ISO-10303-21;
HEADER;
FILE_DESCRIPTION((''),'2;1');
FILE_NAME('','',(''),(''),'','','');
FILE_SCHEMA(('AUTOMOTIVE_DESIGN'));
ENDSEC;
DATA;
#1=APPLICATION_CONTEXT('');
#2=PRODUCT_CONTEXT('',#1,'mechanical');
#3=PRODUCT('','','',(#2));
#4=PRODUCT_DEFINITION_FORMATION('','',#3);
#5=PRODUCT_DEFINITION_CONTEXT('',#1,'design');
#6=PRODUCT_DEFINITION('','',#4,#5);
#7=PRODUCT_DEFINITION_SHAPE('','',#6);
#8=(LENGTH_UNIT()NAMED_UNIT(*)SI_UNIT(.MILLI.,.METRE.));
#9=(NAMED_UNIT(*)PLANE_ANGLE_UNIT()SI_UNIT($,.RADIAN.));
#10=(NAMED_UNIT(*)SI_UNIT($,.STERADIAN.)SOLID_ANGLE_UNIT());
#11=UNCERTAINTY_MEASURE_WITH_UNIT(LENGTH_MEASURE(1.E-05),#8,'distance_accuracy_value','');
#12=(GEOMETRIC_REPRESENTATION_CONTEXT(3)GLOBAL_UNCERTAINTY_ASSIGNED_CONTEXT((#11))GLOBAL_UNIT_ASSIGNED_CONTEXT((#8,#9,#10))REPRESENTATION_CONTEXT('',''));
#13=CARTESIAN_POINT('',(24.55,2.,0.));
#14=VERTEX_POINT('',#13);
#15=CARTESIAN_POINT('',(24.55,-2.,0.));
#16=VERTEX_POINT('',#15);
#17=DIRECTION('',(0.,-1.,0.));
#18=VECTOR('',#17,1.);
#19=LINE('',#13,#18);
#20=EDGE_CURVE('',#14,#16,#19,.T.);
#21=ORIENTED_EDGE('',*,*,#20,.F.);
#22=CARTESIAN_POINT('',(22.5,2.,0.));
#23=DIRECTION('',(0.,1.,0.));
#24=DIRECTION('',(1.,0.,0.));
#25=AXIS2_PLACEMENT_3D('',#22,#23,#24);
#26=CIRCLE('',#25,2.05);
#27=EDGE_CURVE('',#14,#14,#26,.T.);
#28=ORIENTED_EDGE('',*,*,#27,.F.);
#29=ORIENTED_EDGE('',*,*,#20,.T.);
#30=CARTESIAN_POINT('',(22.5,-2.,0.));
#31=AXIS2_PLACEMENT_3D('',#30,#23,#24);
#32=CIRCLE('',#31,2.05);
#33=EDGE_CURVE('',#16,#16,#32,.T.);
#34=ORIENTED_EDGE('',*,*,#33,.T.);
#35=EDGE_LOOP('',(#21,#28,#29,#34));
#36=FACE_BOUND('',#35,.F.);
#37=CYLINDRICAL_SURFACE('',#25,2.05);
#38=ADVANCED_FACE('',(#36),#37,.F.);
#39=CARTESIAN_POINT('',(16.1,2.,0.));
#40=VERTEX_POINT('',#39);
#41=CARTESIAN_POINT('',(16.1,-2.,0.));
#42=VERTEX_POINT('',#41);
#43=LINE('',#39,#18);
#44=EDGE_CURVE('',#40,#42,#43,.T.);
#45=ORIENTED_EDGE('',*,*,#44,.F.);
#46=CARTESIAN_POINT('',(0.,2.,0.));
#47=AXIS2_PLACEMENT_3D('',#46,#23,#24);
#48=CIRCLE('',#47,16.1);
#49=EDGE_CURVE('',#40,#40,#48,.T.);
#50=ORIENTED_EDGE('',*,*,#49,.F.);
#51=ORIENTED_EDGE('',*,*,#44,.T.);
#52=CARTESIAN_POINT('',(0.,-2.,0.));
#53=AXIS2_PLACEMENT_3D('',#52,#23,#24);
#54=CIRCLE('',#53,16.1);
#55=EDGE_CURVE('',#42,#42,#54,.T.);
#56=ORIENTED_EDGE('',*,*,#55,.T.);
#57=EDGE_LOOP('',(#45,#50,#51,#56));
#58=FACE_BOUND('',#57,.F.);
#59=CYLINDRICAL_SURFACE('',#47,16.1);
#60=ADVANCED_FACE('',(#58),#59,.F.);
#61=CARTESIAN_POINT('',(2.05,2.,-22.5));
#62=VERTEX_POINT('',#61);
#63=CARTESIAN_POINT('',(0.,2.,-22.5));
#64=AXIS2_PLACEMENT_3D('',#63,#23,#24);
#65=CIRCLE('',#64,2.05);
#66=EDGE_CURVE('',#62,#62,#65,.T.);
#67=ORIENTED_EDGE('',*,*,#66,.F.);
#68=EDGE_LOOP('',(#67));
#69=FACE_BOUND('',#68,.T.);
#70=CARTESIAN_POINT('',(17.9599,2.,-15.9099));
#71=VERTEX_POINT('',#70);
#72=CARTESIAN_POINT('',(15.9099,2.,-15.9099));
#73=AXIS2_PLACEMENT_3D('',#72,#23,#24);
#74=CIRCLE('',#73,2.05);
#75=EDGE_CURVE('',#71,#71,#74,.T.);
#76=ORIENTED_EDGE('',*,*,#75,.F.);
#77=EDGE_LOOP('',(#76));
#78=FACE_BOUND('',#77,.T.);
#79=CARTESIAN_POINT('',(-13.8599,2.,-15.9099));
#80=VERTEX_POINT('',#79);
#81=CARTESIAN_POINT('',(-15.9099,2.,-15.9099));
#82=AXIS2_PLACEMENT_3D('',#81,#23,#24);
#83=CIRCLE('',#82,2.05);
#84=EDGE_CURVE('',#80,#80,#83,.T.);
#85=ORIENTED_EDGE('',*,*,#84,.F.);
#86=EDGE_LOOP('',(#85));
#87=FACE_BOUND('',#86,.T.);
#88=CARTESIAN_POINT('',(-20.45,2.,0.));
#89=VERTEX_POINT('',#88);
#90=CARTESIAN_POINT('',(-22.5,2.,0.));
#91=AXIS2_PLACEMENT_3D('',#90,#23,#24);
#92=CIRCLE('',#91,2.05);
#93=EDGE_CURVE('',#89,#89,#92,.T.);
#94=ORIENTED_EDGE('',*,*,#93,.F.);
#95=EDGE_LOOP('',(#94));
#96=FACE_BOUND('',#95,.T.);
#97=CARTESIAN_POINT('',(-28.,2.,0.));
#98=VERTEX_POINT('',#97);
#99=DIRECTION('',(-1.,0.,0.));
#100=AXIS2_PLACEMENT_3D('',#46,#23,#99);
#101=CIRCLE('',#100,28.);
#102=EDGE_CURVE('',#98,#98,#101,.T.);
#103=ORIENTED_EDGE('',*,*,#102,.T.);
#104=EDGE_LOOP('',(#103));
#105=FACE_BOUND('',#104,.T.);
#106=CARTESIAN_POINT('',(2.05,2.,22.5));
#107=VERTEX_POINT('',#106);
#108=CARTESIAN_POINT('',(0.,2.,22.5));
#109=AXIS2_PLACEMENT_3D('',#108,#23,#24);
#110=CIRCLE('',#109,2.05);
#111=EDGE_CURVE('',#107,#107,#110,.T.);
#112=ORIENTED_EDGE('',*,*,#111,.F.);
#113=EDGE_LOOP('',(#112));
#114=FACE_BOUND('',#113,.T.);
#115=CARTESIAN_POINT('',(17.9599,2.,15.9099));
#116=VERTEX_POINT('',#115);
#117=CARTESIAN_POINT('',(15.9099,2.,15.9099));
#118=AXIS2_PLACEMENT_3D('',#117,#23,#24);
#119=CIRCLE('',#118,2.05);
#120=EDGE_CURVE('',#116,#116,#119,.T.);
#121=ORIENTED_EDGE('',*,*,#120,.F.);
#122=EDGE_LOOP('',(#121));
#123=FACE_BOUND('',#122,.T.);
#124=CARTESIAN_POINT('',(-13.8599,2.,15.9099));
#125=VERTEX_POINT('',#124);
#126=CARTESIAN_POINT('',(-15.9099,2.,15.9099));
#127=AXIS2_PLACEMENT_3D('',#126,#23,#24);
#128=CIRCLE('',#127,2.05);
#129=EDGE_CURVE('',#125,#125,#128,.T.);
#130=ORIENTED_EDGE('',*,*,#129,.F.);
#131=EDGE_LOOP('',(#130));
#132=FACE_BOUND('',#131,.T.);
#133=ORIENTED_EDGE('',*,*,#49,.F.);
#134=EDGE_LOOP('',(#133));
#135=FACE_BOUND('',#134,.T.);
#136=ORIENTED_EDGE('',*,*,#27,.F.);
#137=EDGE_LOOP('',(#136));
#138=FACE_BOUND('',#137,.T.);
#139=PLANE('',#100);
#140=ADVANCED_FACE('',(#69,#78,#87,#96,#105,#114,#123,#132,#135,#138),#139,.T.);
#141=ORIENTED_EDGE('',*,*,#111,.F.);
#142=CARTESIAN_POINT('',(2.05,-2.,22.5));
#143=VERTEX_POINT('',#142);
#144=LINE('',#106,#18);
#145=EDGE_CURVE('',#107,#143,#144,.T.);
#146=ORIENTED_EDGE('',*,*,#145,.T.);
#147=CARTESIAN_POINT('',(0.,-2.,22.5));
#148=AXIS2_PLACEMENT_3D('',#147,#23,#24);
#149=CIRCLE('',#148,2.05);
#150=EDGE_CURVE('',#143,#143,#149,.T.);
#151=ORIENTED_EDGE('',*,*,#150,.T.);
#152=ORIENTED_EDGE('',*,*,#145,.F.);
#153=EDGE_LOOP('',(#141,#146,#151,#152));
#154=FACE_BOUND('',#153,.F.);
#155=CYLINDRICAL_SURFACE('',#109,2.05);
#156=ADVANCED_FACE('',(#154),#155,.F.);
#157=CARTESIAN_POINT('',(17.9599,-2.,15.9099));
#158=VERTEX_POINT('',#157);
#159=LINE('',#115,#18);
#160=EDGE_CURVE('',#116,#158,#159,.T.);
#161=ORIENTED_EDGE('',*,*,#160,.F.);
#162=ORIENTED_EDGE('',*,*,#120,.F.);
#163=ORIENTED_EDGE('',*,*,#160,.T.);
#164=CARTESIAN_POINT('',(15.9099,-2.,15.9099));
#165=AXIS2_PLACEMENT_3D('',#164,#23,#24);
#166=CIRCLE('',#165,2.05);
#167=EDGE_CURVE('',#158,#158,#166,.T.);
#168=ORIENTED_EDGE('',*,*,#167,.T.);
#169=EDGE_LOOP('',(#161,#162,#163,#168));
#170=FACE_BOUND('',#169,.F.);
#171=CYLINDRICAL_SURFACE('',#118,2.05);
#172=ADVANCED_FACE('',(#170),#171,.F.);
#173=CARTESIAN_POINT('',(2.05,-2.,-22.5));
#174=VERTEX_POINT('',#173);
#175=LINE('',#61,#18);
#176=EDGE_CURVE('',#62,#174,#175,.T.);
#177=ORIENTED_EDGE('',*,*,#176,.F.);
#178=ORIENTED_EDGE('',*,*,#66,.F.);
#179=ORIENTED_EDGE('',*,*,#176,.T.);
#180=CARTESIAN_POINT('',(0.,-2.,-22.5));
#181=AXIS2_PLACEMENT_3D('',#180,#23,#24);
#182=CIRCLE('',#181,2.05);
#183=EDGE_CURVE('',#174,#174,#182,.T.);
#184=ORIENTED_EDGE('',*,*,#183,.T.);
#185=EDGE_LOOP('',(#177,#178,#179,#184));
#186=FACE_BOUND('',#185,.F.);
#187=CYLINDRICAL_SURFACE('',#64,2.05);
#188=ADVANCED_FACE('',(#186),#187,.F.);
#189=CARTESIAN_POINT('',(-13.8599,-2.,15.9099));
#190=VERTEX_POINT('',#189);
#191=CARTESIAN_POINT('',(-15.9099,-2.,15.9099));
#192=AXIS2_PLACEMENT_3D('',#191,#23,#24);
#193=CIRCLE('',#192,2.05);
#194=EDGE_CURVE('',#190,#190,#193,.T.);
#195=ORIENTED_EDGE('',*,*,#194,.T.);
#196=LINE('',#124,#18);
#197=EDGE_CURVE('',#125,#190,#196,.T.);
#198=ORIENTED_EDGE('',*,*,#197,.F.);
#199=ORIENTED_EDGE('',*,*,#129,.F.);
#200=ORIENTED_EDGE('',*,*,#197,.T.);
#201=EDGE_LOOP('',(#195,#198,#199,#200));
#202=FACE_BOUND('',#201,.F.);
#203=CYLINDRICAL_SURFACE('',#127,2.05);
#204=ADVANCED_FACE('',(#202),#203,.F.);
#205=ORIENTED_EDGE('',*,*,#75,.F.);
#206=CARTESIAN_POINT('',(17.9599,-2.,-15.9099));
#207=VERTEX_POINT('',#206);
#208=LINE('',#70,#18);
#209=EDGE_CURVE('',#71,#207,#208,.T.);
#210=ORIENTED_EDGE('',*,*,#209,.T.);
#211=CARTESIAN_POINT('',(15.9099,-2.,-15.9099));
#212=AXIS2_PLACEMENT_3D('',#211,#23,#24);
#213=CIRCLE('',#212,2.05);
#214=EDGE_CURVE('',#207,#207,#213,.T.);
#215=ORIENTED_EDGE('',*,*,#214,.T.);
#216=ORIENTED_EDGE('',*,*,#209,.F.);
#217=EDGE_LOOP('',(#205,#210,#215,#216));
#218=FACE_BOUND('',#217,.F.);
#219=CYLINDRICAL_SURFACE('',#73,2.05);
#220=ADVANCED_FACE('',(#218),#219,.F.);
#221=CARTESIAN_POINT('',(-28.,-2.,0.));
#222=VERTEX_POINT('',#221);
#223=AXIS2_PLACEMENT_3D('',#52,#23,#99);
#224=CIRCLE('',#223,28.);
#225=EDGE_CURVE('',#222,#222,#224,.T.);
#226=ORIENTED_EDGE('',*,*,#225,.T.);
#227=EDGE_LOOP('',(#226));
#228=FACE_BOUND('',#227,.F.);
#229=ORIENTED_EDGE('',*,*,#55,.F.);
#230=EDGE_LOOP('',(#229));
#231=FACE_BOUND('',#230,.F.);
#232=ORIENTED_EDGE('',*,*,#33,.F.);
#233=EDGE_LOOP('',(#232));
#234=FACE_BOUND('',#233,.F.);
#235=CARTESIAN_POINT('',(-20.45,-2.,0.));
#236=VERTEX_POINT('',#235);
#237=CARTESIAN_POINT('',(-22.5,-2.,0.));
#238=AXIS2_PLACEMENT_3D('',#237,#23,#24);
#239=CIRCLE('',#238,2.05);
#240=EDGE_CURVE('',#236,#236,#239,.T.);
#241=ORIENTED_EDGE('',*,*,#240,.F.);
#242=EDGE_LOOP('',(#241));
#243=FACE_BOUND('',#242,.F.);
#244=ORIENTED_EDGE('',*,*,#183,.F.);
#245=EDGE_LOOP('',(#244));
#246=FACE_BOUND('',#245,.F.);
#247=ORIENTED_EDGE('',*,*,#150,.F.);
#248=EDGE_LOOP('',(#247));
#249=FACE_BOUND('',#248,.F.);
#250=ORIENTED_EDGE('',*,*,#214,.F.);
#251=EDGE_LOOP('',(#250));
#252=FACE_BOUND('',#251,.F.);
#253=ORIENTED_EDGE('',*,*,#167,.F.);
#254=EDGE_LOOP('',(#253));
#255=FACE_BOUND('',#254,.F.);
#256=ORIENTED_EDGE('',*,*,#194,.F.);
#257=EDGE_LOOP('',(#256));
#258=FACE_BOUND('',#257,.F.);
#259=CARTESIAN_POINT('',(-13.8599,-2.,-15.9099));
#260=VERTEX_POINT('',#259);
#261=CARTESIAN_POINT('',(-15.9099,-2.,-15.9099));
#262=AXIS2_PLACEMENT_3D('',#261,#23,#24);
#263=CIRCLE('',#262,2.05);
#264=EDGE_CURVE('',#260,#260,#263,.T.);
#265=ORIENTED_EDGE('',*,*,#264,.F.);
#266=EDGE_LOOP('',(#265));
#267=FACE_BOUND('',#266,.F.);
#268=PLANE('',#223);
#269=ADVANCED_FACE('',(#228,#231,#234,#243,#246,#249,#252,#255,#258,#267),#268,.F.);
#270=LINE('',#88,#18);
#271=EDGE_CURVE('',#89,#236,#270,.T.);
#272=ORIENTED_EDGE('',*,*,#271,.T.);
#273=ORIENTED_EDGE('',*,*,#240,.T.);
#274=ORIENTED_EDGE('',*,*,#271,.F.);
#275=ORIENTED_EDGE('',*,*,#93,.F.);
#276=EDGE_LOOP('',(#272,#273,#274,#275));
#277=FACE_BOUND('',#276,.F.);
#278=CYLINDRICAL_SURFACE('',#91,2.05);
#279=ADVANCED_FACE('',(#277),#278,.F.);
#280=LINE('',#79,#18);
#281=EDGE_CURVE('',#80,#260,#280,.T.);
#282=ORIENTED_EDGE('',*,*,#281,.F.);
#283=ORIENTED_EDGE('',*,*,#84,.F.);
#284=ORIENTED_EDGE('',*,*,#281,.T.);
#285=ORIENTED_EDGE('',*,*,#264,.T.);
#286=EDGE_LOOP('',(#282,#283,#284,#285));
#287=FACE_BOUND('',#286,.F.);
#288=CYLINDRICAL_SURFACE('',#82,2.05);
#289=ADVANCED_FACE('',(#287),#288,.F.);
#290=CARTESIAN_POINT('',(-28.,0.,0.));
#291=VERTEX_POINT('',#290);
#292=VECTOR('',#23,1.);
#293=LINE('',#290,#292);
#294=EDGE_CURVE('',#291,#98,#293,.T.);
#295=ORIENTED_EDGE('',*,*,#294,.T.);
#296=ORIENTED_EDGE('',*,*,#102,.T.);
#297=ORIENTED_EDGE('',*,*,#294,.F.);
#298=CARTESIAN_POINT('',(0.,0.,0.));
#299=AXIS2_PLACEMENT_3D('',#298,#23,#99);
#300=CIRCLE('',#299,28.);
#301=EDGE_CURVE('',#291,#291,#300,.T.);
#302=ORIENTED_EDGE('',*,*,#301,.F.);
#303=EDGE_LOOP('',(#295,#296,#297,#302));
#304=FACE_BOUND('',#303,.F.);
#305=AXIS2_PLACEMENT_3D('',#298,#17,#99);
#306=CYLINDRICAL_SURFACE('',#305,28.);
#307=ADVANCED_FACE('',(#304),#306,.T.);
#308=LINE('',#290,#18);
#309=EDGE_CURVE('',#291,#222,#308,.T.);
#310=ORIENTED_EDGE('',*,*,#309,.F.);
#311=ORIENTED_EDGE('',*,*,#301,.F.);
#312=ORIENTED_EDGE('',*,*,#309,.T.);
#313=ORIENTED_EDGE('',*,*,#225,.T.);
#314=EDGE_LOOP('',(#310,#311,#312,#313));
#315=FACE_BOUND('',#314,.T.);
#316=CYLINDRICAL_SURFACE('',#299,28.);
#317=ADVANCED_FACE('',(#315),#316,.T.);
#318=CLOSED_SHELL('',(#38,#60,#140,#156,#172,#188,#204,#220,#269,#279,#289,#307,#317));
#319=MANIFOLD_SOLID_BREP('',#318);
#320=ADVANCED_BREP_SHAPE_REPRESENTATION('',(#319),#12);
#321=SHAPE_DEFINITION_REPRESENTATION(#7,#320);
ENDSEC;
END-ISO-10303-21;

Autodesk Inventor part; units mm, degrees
ref_plane "YZ Plane" through (0, 0, 0) normal (1, 0, 0) x (0, 1, 0)
ref_plane "XZ Plane" through (0, 0, 0) normal (0, 1, 0) x (-1, 0, 0)
ref_plane "XY Plane" through (0, 0, 0) normal (0, 0, 1) x (1, 0, 0)
sketch "Sketch1" plane through (0, 0, 0) normal (0, 1, 0) x (-1, 0, 0)
  circle A0 centre (0, 0) radius 28
  dimension "d0" = 56
extrude "Extrusion1" add sketch "Sketch1" along normal mid plane 4
sketch "Sketch2" plane through (0, 2, 0) normal (0, 1, 0) x (1, 0, 0)
  circle A0 centre (0, 22.5) radius 2.05
  circle A1 centre (-15.9099, 15.9099) radius 2.05
  circle A2 centre (-22.5, 0) radius 2.05
  circle A3 centre (-15.9099, -15.9099) radius 2.05
  circle A4 centre (0, -22.5) radius 2.05
  circle A5 centre (15.9099, -15.9099) radius 2.05
  circle A6 centre (22.5, 0) radius 2.05
  circle A7 centre (15.9099, 15.9099) radius 2.05
  point P0 (0, 0)
  dimension "d3" = 4.1
  dimension "d4" = 22.5
  dimension "d7" = 360
extrude "Extrusion2" cut sketch "Sketch2" against normal through all
sketch "Sketch3" plane through (0, 2, 0) normal (0, 1, 0) x (1, 0, 0)
  circle A0 centre (0, 0) radius 16.1
  dimension "d11" = 32.2
extrude "Extrusion3" cut sketch "Sketch3" against normal through all
properties part number "BearingSpacerPlate"
